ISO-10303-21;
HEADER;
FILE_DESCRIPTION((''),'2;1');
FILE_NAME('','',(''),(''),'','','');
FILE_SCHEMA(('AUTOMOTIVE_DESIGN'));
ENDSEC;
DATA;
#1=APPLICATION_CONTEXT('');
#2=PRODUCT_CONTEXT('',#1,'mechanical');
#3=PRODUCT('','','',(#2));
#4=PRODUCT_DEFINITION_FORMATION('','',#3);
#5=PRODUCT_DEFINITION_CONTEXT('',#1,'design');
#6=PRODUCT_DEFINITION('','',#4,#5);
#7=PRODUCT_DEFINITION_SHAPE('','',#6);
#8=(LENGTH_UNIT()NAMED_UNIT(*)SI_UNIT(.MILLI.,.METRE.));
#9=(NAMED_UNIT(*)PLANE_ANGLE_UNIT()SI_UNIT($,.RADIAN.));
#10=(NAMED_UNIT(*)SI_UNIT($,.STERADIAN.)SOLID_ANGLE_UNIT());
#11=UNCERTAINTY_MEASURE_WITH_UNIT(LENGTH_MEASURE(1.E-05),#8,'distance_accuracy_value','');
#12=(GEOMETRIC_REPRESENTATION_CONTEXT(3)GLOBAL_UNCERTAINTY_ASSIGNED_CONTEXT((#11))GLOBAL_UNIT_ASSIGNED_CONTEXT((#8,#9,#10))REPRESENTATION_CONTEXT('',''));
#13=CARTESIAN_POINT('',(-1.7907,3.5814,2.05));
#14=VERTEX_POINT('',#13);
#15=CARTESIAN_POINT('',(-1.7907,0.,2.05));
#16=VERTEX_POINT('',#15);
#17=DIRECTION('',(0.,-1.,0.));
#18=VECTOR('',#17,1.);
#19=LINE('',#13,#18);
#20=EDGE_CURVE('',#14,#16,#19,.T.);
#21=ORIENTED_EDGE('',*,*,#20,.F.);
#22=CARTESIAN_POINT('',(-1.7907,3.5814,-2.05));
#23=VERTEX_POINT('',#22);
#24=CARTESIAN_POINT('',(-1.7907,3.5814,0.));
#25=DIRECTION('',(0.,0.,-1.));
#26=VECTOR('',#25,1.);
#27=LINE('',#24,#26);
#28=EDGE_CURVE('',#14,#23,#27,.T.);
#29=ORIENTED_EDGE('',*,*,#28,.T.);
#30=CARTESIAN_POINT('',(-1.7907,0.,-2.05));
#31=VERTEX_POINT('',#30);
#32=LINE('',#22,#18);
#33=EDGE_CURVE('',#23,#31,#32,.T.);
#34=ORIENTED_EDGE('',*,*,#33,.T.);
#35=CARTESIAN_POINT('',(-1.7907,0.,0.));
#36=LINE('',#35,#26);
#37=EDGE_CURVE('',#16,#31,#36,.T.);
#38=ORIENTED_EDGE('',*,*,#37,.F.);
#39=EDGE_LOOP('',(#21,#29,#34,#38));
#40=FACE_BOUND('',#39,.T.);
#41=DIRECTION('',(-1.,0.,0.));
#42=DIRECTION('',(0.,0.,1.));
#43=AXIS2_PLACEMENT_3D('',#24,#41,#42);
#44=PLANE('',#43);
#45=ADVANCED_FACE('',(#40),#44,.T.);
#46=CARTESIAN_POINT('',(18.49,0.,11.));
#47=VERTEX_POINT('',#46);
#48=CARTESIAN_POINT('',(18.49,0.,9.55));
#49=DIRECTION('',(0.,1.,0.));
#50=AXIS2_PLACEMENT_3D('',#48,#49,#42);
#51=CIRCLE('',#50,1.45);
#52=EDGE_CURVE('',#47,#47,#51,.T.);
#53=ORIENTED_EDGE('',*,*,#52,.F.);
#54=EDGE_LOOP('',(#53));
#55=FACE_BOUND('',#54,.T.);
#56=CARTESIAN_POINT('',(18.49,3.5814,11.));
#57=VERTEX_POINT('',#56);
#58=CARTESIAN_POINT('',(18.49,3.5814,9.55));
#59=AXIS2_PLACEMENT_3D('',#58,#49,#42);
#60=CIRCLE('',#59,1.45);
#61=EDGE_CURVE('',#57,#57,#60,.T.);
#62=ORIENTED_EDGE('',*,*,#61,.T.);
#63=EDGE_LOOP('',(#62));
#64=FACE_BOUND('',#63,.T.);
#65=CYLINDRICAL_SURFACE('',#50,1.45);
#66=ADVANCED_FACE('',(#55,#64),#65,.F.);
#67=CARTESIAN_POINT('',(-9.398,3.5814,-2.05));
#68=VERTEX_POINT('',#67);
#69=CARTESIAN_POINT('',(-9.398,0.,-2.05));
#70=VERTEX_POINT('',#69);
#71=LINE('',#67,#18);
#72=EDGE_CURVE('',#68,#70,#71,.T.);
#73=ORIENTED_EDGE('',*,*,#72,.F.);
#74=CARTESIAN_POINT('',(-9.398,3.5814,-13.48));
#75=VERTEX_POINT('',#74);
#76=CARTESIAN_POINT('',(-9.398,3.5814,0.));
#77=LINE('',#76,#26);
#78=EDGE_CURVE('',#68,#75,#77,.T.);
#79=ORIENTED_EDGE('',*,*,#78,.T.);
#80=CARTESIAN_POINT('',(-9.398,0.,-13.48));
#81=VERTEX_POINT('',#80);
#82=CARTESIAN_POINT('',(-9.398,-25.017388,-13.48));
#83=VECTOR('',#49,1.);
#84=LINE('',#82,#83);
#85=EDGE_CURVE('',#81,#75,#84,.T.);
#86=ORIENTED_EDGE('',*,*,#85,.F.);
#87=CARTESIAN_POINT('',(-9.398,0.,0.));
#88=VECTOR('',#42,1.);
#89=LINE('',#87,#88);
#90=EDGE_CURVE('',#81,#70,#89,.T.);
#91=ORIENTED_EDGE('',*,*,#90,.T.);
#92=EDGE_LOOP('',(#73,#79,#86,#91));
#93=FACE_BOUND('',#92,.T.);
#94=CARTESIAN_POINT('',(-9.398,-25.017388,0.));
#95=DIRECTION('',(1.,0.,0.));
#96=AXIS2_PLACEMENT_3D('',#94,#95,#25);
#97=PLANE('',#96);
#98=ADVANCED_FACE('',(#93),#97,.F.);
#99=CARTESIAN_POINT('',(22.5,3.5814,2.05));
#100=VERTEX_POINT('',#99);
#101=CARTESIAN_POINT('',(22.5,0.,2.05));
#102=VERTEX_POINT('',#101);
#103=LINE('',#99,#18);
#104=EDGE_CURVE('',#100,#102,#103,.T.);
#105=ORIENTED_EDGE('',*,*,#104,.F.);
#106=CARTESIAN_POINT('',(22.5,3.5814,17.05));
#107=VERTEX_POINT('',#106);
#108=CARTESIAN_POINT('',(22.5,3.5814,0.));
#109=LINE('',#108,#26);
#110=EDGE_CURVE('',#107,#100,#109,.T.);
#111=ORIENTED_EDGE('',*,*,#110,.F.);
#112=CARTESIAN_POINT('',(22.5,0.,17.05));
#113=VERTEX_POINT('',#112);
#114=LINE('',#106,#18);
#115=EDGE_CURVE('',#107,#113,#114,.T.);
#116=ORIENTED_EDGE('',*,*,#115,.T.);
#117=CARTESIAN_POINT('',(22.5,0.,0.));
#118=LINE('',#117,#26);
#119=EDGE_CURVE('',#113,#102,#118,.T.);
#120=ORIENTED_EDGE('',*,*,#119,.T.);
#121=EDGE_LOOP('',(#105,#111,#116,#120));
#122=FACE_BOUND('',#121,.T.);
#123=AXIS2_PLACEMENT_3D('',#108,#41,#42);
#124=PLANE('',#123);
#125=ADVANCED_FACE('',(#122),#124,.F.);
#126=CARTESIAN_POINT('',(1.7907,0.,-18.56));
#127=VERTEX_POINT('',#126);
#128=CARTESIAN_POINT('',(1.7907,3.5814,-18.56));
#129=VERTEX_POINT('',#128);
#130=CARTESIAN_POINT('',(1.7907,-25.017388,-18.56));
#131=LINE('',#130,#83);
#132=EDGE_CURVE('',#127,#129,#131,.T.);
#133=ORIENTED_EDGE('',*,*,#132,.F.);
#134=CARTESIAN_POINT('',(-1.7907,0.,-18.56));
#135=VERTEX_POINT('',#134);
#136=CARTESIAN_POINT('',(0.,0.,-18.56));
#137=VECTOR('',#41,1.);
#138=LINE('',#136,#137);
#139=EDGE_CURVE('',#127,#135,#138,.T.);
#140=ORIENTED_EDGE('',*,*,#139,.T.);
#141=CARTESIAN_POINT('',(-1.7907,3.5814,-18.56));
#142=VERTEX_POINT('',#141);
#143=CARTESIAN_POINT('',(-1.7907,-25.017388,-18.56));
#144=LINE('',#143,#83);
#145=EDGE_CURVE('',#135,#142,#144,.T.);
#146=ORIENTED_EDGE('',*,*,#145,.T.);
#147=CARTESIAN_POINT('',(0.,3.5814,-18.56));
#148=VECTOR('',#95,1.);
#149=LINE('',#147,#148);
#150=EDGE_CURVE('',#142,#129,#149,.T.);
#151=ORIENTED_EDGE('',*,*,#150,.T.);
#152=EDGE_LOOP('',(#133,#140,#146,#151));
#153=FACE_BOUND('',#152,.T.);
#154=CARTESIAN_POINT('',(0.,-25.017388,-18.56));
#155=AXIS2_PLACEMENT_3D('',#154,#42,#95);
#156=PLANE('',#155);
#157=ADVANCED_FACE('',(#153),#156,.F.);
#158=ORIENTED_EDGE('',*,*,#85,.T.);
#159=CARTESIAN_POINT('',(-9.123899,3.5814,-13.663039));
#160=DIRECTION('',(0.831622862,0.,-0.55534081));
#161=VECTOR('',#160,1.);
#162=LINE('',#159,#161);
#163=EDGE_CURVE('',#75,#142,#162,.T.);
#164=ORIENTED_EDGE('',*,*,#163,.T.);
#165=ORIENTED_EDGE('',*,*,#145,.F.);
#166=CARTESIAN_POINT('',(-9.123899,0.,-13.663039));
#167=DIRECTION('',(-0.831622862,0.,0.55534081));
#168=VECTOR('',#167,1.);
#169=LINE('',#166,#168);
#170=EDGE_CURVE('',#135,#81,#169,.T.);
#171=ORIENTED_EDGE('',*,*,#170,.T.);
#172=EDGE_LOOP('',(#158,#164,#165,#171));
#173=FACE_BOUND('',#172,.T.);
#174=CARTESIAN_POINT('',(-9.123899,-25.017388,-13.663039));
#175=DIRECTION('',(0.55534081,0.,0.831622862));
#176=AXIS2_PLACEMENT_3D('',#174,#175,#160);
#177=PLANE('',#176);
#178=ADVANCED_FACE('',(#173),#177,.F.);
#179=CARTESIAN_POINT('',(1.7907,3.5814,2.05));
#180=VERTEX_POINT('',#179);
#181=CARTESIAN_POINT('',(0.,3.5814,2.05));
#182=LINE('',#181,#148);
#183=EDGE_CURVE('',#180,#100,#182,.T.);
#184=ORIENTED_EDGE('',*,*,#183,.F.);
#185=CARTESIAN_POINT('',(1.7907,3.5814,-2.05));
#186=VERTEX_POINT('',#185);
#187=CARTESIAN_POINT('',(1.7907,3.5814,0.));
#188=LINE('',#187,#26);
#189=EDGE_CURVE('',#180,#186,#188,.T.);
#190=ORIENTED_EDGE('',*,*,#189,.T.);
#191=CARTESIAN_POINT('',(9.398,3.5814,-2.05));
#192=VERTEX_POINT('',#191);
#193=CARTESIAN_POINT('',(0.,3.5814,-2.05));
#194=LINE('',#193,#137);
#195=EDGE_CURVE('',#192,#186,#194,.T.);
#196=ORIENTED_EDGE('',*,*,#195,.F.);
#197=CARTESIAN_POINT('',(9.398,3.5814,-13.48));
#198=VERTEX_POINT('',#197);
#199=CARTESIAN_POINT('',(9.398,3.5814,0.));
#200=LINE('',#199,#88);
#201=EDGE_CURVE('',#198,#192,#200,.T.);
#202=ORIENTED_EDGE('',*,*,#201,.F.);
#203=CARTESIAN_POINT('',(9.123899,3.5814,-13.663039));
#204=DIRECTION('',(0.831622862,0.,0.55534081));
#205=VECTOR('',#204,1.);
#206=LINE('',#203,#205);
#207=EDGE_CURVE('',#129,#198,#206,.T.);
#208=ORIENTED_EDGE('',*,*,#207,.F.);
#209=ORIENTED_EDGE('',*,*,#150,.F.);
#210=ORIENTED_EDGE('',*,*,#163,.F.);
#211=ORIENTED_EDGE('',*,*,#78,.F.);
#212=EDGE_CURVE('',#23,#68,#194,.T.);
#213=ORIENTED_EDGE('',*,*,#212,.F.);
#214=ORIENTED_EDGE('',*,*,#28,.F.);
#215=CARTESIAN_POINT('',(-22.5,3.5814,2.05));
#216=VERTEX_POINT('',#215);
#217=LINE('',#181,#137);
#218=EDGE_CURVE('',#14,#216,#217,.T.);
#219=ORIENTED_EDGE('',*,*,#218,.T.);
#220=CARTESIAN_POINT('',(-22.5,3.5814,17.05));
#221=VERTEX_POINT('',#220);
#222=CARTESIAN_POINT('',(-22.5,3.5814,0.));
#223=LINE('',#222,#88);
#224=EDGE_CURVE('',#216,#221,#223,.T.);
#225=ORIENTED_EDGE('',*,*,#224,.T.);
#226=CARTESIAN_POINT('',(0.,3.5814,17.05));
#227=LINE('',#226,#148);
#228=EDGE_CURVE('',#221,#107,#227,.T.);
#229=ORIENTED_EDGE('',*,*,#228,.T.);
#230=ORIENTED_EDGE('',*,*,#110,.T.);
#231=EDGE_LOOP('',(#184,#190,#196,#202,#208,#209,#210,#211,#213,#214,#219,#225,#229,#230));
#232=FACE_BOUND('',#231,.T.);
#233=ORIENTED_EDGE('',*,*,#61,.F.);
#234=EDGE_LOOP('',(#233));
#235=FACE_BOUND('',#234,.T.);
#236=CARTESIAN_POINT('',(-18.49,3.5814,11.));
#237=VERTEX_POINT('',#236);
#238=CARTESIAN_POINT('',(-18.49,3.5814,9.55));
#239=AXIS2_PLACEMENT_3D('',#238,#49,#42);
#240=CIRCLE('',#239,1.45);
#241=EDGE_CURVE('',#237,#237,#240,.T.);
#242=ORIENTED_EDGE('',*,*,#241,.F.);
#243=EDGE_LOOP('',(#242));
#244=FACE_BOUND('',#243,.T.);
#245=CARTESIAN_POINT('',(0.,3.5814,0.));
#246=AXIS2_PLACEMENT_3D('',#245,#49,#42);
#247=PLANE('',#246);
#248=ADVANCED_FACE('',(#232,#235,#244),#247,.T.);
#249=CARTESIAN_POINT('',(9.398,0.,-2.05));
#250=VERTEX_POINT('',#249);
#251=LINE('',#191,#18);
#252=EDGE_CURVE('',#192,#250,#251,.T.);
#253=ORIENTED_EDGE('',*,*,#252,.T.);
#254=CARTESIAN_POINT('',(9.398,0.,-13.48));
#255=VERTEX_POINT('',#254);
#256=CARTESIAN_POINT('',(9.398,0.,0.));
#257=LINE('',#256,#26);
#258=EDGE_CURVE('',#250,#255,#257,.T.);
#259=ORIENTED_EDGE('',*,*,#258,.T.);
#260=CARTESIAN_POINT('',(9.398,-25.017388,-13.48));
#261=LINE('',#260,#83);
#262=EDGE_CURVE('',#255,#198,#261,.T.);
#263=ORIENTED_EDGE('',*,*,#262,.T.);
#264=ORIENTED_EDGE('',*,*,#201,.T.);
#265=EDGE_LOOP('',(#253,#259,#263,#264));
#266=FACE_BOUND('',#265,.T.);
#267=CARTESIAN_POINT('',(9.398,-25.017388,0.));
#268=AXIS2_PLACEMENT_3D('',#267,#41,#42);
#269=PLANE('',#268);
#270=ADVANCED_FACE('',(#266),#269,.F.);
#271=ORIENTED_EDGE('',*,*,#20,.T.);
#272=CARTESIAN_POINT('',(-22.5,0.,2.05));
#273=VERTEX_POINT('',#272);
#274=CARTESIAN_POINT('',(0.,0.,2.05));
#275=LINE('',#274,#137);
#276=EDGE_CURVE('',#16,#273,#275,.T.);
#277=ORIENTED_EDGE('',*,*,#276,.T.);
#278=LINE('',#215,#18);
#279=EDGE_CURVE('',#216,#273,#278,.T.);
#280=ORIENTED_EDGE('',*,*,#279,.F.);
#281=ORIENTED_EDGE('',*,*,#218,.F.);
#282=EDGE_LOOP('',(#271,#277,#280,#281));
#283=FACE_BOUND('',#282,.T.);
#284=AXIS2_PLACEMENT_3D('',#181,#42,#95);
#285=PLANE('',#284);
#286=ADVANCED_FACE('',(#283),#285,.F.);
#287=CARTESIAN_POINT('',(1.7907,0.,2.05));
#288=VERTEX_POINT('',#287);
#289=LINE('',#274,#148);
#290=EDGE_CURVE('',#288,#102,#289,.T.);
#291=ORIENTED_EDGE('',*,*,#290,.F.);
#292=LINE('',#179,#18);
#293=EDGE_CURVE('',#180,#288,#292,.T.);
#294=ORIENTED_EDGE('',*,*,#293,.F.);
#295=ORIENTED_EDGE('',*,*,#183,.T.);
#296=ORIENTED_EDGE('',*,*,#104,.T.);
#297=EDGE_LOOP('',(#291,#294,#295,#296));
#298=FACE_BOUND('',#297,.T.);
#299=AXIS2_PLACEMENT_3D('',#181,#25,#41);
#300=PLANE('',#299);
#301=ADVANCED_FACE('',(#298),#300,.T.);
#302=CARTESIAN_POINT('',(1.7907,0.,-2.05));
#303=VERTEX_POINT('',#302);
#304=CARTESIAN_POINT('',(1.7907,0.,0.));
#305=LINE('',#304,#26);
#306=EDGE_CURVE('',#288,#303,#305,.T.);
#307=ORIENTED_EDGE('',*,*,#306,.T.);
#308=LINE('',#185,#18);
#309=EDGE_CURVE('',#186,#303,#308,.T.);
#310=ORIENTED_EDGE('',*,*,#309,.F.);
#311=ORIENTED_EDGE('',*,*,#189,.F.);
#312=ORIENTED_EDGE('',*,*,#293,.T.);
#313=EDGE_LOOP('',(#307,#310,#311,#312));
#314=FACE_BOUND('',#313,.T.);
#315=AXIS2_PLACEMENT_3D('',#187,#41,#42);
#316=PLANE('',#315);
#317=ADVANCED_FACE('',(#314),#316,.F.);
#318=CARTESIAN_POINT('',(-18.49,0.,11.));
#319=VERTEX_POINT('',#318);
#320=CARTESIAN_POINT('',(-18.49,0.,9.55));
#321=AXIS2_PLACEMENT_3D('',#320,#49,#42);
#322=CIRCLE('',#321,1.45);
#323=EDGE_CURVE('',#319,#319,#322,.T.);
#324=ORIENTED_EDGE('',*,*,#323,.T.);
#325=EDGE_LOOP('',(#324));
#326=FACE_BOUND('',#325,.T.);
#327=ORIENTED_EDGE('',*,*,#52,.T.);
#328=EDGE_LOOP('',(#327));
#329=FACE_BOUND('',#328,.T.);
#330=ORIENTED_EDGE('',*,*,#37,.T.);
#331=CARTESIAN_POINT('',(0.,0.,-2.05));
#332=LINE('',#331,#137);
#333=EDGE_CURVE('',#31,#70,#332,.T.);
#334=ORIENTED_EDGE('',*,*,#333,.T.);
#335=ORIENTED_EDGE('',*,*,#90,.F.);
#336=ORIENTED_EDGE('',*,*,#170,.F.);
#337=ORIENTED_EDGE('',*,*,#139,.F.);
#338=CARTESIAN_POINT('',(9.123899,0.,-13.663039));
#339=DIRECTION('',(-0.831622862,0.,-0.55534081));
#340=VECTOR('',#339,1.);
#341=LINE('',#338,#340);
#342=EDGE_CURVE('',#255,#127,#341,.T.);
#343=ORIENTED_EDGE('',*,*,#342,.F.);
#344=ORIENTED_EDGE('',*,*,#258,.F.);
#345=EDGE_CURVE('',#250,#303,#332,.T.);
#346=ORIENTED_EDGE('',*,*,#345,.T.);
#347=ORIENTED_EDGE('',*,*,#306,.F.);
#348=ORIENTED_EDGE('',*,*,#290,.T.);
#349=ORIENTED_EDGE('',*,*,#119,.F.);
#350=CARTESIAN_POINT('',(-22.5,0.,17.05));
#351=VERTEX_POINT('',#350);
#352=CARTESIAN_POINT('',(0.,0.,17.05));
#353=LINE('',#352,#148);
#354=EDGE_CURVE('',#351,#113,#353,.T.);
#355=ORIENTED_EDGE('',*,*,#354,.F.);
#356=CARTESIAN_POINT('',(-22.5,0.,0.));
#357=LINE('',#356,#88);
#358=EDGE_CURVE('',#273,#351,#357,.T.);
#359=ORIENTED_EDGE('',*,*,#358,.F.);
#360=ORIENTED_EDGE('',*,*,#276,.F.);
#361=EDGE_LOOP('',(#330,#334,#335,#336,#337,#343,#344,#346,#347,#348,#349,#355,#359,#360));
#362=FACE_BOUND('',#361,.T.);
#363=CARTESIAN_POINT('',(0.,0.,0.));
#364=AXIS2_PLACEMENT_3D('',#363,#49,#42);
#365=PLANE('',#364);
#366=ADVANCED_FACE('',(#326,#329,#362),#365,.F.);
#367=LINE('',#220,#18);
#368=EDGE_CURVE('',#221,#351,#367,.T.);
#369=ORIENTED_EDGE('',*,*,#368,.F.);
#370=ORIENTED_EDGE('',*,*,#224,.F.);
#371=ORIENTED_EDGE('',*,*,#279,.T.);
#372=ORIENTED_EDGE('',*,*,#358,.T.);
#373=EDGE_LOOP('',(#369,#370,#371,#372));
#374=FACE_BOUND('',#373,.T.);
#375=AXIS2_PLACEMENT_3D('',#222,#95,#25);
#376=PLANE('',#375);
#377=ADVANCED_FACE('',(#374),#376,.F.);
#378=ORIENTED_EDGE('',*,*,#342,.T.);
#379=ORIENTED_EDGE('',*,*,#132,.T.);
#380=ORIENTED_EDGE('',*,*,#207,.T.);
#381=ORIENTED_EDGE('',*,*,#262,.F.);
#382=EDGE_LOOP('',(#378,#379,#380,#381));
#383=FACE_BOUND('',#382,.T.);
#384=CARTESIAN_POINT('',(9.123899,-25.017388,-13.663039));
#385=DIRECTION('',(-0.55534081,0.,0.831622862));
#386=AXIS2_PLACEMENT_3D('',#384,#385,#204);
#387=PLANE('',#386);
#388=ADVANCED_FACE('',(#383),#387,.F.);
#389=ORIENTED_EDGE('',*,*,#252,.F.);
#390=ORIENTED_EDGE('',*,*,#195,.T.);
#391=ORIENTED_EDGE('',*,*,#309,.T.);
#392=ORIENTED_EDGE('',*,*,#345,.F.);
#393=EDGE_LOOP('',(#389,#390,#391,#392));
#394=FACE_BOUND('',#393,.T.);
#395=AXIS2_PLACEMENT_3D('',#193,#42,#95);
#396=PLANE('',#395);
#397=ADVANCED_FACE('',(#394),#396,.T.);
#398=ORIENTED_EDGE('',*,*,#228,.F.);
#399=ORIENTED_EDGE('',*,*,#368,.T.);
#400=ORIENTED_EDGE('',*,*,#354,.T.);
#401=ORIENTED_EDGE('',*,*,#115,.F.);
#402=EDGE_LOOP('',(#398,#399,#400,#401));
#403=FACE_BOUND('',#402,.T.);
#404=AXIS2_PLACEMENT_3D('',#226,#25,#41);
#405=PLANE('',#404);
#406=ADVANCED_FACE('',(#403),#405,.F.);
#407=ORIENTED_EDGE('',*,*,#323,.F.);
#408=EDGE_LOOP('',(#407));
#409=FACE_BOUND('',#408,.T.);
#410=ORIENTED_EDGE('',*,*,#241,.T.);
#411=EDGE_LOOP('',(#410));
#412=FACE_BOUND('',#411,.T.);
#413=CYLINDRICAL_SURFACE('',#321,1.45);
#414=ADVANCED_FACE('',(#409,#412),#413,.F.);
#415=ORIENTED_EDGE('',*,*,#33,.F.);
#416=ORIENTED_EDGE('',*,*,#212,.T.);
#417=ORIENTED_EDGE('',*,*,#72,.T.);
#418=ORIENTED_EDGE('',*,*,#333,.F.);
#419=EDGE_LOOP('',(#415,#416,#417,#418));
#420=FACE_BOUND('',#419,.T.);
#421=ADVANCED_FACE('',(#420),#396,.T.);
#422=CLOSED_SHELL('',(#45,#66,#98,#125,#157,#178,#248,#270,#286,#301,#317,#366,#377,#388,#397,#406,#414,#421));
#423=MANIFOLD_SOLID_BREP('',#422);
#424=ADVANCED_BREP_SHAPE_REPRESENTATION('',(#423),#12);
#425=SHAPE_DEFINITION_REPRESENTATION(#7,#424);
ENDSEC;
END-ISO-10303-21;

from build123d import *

# Parameters (mm, degrees)
BOSS_EXTRUDE1_DEPTH = 3.5814
SKETCH2_R           = 1.45
CUT_EXTRUDE1_DEPTH  = 4.5814
BOSS_EXTRUDE2_DEPTH = 3.5814


with BuildPart() as part:
    # Sketch1 → Boss-Extrude1 (new body)
    with BuildSketch(Plane(origin=(0, 0, 0), x_dir=(1, 0, 0), z_dir=(0, 1, 0))):
        Polygon((-22.5, -17.05), (22.5, -17.05), (22.5, -2.05), (1.7907, -2.05), (1.7907, 2.05), (9.398, 2.05), (1.7907, 7.13), (-1.7907, 7.13), (-9.398, 2.05), (-1.7907, 2.05), (-1.7907, -2.05), (-22.5, -2.05), align=None)
    extrude(amount=BOSS_EXTRUDE1_DEPTH)

    # Sketch2 → Cut-Extrude1 (cut, through all)
    with BuildSketch(Plane(origin=(0, 3.5814, 0), x_dir=(1, 0, 0), z_dir=(0, 1, 0))):
        with Locations((-18.49, -9.55)):
            Circle(SKETCH2_R)
        with Locations((18.49, -9.55)):
            Circle(SKETCH2_R)
    extrude(amount=-CUT_EXTRUDE1_DEPTH, mode=Mode.SUBTRACT)

    # Sketch3 → Boss-Extrude2 (add)
    with BuildSketch(Plane(origin=(0, 3.5814, 0), x_dir=(1, 0, 0), z_dir=(0, 1, 0))):
        Polygon((1.7907, 18.56), (9.398, 13.48), (9.398, 2.05), (1.7907, 7.13), (-1.7907, 7.13), (-9.398, 2.05), (-9.398, 13.48), (-1.7907, 18.56), align=None)
    extrude(amount=-BOSS_EXTRUDE2_DEPTH)


solid = part.part
